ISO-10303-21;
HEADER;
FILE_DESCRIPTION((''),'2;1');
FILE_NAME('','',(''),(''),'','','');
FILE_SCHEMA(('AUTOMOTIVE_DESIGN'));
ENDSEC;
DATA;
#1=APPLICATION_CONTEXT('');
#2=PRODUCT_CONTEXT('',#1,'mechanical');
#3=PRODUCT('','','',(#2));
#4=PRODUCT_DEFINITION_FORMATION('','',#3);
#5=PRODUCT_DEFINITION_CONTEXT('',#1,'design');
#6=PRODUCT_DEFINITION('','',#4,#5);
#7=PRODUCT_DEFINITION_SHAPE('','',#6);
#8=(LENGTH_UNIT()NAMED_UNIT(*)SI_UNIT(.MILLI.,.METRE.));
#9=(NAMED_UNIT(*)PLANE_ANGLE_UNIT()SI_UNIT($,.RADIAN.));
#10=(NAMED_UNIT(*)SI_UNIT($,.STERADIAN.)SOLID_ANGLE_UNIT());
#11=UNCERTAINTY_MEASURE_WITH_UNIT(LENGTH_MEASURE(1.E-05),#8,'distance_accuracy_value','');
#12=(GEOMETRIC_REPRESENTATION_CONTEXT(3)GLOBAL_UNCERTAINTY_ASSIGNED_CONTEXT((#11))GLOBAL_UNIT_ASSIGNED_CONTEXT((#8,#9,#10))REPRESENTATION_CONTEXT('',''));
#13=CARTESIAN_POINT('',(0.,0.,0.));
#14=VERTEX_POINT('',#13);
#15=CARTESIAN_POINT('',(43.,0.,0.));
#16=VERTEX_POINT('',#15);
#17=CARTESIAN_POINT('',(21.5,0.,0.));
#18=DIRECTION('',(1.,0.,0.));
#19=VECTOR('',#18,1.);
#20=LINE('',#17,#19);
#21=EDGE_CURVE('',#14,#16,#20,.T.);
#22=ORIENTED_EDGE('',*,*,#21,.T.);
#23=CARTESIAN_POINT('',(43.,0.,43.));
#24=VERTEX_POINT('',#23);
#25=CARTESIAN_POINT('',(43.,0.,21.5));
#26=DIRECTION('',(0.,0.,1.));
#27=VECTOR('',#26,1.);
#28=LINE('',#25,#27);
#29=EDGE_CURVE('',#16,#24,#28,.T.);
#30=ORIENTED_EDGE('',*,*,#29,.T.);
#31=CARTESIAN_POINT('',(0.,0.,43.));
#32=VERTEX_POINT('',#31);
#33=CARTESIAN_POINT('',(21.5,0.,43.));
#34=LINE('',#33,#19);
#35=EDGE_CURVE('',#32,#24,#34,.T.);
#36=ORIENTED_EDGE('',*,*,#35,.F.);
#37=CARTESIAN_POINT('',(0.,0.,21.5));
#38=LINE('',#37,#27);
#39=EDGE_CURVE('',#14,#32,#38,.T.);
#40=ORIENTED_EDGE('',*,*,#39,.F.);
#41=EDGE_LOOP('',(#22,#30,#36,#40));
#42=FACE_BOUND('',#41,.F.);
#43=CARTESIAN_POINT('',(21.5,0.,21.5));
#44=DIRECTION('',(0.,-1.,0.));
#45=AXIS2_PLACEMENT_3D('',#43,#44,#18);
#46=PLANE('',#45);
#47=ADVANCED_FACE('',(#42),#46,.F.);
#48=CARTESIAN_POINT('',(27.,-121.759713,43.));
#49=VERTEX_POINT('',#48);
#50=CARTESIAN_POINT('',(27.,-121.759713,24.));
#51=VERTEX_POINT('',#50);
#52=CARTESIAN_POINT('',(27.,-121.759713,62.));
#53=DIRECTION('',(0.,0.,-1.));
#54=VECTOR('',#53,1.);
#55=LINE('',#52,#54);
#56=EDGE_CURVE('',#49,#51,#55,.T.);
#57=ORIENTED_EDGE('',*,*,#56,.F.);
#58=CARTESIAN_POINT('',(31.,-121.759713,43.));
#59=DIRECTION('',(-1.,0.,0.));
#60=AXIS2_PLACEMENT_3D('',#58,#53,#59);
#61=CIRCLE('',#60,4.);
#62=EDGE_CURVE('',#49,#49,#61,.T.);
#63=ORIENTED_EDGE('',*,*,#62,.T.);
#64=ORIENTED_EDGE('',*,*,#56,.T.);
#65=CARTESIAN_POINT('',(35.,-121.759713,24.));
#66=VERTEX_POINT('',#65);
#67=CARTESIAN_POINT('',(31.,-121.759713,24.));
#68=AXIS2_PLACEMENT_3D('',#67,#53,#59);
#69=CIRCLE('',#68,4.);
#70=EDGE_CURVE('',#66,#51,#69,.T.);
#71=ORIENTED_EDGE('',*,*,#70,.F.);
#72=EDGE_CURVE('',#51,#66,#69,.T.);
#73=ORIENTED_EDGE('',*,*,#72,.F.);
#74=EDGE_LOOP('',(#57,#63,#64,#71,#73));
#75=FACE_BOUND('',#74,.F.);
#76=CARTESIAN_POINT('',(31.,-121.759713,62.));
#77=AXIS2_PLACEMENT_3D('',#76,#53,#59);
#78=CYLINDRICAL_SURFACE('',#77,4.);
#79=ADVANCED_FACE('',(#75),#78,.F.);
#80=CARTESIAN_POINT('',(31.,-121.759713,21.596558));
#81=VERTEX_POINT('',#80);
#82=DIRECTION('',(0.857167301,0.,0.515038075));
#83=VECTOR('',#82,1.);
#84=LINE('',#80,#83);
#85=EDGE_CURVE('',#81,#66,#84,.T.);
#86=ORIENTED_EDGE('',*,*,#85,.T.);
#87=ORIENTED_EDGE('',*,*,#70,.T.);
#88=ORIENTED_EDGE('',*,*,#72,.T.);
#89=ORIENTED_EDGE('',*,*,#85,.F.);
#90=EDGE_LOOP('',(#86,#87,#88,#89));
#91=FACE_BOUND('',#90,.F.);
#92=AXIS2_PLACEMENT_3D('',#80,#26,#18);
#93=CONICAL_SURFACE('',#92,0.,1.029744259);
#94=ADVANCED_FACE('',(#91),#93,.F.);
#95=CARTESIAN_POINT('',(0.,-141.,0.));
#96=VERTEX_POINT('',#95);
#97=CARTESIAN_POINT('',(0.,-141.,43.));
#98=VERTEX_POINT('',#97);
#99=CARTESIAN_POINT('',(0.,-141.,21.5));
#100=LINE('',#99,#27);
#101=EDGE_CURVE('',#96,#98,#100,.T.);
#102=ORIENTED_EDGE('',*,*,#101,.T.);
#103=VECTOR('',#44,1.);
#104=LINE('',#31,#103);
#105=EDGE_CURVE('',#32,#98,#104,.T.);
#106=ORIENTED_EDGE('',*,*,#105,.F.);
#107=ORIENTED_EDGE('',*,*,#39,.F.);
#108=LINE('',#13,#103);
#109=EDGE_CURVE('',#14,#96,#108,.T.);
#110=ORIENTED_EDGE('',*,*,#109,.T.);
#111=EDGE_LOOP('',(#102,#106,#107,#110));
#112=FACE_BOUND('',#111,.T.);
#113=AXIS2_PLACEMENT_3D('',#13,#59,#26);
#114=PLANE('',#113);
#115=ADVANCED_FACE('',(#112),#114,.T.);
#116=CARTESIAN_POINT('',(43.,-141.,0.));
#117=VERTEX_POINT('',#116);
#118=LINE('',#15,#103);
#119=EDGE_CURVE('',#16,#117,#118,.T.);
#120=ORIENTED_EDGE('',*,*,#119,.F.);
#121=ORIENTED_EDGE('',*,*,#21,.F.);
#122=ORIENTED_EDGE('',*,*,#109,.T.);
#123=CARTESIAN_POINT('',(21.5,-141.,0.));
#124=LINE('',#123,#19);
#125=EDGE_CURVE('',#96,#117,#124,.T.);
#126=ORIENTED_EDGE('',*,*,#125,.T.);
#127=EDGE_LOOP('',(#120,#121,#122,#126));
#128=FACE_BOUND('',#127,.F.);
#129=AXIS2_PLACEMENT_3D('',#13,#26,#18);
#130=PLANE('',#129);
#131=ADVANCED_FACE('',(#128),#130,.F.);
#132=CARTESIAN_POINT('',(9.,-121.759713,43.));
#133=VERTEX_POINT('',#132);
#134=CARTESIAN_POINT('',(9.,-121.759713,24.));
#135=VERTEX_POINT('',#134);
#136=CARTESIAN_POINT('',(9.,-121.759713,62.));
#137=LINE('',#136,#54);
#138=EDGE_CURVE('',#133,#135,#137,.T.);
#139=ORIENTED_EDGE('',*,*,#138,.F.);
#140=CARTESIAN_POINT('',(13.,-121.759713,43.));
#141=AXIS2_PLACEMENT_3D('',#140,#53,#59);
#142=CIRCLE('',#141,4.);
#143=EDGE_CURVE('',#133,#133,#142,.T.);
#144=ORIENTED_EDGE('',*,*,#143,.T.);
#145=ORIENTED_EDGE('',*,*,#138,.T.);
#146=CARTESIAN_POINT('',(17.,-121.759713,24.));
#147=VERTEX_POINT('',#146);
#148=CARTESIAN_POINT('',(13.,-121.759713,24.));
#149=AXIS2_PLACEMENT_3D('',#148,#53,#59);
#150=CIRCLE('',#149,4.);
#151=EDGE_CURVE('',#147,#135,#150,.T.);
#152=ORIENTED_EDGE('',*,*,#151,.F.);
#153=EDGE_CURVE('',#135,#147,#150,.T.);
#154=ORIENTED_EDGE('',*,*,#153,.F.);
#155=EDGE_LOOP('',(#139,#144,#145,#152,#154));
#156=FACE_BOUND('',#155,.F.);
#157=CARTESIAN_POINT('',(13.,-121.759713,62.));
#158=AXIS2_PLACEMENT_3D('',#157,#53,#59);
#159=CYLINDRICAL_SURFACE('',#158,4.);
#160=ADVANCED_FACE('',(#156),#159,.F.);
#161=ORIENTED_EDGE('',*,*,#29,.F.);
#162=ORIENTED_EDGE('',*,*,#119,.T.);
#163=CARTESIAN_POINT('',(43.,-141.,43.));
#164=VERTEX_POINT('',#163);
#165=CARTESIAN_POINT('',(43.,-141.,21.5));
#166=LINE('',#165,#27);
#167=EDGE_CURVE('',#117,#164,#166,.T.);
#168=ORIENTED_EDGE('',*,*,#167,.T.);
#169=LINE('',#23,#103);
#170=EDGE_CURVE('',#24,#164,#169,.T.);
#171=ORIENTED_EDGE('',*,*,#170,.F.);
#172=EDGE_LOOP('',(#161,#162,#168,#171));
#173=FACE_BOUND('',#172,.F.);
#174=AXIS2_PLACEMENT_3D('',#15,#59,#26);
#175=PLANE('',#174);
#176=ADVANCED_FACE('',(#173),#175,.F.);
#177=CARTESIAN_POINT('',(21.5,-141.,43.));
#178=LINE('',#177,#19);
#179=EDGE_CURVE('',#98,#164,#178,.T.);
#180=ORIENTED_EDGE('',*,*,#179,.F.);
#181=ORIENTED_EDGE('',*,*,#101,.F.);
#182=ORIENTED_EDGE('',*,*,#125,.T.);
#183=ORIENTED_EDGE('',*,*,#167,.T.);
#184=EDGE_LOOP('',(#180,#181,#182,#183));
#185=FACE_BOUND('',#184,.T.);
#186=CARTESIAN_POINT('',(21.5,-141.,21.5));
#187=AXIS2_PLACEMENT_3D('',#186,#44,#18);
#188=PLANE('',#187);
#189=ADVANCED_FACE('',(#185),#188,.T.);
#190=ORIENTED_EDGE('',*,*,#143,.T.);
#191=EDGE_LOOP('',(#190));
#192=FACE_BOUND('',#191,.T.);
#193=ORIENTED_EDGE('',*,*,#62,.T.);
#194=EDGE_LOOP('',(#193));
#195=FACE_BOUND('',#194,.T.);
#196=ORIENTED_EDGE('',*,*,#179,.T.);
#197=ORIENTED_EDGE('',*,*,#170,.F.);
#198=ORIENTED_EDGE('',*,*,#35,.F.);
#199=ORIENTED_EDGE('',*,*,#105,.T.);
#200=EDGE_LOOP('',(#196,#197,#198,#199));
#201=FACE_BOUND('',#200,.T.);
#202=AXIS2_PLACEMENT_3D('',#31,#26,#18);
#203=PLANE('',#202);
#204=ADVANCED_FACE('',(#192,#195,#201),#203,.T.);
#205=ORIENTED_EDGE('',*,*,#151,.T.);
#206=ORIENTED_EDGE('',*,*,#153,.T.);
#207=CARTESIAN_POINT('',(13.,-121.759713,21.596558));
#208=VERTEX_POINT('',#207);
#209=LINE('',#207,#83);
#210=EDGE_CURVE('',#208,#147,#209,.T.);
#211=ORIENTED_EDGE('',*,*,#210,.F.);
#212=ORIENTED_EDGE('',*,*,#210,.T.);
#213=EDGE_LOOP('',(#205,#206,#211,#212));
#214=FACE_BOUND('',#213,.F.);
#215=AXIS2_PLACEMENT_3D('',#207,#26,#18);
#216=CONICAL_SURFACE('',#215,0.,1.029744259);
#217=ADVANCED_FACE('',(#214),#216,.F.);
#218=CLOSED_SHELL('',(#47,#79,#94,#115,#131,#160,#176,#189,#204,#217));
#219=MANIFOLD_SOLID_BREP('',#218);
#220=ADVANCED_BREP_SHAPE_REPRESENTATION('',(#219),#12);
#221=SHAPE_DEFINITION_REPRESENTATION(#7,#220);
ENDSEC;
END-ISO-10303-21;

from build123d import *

# Parameters (mm, degrees)
F0_W     = 43
F0_H     = 43
F1_DEPTH = 141
F3_D     = 8
F3_DEPTH = 19
F3_TIP   = 2.4034424761
F4_D     = 8
F4_DEPTH = 19
F4_TIP   = 2.4034424761


with BuildPart() as f1:
    # F0 (on Front) → F1 (new body)
    with BuildSketch(Plane.XZ):
        with Locations((21.5, 21.5)):
            Rectangle(F0_W, F0_H)
    extrude(amount=F1_DEPTH)

    # F3
    with Locations(Plane.XY.offset(43)):
        with Locations((31, -121.7597126961)):
            Hole(F3_D / 2, depth=F3_DEPTH)
            with Locations((0, 0, -(F3_DEPTH + F3_TIP / 2))):  # 118° drill point
                Cone(0, F3_D / 2, F3_TIP, mode=Mode.SUBTRACT)

    # F4
    with Locations(Plane.XY.offset(43)):
        with Locations((13, -121.7597126961)):
            Hole(F4_D / 2, depth=F4_DEPTH)
            with Locations((0, 0, -(F4_DEPTH + F4_TIP / 2))):  # 118° drill point
                Cone(0, F4_D / 2, F4_TIP, mode=Mode.SUBTRACT)


solid = f1.part
